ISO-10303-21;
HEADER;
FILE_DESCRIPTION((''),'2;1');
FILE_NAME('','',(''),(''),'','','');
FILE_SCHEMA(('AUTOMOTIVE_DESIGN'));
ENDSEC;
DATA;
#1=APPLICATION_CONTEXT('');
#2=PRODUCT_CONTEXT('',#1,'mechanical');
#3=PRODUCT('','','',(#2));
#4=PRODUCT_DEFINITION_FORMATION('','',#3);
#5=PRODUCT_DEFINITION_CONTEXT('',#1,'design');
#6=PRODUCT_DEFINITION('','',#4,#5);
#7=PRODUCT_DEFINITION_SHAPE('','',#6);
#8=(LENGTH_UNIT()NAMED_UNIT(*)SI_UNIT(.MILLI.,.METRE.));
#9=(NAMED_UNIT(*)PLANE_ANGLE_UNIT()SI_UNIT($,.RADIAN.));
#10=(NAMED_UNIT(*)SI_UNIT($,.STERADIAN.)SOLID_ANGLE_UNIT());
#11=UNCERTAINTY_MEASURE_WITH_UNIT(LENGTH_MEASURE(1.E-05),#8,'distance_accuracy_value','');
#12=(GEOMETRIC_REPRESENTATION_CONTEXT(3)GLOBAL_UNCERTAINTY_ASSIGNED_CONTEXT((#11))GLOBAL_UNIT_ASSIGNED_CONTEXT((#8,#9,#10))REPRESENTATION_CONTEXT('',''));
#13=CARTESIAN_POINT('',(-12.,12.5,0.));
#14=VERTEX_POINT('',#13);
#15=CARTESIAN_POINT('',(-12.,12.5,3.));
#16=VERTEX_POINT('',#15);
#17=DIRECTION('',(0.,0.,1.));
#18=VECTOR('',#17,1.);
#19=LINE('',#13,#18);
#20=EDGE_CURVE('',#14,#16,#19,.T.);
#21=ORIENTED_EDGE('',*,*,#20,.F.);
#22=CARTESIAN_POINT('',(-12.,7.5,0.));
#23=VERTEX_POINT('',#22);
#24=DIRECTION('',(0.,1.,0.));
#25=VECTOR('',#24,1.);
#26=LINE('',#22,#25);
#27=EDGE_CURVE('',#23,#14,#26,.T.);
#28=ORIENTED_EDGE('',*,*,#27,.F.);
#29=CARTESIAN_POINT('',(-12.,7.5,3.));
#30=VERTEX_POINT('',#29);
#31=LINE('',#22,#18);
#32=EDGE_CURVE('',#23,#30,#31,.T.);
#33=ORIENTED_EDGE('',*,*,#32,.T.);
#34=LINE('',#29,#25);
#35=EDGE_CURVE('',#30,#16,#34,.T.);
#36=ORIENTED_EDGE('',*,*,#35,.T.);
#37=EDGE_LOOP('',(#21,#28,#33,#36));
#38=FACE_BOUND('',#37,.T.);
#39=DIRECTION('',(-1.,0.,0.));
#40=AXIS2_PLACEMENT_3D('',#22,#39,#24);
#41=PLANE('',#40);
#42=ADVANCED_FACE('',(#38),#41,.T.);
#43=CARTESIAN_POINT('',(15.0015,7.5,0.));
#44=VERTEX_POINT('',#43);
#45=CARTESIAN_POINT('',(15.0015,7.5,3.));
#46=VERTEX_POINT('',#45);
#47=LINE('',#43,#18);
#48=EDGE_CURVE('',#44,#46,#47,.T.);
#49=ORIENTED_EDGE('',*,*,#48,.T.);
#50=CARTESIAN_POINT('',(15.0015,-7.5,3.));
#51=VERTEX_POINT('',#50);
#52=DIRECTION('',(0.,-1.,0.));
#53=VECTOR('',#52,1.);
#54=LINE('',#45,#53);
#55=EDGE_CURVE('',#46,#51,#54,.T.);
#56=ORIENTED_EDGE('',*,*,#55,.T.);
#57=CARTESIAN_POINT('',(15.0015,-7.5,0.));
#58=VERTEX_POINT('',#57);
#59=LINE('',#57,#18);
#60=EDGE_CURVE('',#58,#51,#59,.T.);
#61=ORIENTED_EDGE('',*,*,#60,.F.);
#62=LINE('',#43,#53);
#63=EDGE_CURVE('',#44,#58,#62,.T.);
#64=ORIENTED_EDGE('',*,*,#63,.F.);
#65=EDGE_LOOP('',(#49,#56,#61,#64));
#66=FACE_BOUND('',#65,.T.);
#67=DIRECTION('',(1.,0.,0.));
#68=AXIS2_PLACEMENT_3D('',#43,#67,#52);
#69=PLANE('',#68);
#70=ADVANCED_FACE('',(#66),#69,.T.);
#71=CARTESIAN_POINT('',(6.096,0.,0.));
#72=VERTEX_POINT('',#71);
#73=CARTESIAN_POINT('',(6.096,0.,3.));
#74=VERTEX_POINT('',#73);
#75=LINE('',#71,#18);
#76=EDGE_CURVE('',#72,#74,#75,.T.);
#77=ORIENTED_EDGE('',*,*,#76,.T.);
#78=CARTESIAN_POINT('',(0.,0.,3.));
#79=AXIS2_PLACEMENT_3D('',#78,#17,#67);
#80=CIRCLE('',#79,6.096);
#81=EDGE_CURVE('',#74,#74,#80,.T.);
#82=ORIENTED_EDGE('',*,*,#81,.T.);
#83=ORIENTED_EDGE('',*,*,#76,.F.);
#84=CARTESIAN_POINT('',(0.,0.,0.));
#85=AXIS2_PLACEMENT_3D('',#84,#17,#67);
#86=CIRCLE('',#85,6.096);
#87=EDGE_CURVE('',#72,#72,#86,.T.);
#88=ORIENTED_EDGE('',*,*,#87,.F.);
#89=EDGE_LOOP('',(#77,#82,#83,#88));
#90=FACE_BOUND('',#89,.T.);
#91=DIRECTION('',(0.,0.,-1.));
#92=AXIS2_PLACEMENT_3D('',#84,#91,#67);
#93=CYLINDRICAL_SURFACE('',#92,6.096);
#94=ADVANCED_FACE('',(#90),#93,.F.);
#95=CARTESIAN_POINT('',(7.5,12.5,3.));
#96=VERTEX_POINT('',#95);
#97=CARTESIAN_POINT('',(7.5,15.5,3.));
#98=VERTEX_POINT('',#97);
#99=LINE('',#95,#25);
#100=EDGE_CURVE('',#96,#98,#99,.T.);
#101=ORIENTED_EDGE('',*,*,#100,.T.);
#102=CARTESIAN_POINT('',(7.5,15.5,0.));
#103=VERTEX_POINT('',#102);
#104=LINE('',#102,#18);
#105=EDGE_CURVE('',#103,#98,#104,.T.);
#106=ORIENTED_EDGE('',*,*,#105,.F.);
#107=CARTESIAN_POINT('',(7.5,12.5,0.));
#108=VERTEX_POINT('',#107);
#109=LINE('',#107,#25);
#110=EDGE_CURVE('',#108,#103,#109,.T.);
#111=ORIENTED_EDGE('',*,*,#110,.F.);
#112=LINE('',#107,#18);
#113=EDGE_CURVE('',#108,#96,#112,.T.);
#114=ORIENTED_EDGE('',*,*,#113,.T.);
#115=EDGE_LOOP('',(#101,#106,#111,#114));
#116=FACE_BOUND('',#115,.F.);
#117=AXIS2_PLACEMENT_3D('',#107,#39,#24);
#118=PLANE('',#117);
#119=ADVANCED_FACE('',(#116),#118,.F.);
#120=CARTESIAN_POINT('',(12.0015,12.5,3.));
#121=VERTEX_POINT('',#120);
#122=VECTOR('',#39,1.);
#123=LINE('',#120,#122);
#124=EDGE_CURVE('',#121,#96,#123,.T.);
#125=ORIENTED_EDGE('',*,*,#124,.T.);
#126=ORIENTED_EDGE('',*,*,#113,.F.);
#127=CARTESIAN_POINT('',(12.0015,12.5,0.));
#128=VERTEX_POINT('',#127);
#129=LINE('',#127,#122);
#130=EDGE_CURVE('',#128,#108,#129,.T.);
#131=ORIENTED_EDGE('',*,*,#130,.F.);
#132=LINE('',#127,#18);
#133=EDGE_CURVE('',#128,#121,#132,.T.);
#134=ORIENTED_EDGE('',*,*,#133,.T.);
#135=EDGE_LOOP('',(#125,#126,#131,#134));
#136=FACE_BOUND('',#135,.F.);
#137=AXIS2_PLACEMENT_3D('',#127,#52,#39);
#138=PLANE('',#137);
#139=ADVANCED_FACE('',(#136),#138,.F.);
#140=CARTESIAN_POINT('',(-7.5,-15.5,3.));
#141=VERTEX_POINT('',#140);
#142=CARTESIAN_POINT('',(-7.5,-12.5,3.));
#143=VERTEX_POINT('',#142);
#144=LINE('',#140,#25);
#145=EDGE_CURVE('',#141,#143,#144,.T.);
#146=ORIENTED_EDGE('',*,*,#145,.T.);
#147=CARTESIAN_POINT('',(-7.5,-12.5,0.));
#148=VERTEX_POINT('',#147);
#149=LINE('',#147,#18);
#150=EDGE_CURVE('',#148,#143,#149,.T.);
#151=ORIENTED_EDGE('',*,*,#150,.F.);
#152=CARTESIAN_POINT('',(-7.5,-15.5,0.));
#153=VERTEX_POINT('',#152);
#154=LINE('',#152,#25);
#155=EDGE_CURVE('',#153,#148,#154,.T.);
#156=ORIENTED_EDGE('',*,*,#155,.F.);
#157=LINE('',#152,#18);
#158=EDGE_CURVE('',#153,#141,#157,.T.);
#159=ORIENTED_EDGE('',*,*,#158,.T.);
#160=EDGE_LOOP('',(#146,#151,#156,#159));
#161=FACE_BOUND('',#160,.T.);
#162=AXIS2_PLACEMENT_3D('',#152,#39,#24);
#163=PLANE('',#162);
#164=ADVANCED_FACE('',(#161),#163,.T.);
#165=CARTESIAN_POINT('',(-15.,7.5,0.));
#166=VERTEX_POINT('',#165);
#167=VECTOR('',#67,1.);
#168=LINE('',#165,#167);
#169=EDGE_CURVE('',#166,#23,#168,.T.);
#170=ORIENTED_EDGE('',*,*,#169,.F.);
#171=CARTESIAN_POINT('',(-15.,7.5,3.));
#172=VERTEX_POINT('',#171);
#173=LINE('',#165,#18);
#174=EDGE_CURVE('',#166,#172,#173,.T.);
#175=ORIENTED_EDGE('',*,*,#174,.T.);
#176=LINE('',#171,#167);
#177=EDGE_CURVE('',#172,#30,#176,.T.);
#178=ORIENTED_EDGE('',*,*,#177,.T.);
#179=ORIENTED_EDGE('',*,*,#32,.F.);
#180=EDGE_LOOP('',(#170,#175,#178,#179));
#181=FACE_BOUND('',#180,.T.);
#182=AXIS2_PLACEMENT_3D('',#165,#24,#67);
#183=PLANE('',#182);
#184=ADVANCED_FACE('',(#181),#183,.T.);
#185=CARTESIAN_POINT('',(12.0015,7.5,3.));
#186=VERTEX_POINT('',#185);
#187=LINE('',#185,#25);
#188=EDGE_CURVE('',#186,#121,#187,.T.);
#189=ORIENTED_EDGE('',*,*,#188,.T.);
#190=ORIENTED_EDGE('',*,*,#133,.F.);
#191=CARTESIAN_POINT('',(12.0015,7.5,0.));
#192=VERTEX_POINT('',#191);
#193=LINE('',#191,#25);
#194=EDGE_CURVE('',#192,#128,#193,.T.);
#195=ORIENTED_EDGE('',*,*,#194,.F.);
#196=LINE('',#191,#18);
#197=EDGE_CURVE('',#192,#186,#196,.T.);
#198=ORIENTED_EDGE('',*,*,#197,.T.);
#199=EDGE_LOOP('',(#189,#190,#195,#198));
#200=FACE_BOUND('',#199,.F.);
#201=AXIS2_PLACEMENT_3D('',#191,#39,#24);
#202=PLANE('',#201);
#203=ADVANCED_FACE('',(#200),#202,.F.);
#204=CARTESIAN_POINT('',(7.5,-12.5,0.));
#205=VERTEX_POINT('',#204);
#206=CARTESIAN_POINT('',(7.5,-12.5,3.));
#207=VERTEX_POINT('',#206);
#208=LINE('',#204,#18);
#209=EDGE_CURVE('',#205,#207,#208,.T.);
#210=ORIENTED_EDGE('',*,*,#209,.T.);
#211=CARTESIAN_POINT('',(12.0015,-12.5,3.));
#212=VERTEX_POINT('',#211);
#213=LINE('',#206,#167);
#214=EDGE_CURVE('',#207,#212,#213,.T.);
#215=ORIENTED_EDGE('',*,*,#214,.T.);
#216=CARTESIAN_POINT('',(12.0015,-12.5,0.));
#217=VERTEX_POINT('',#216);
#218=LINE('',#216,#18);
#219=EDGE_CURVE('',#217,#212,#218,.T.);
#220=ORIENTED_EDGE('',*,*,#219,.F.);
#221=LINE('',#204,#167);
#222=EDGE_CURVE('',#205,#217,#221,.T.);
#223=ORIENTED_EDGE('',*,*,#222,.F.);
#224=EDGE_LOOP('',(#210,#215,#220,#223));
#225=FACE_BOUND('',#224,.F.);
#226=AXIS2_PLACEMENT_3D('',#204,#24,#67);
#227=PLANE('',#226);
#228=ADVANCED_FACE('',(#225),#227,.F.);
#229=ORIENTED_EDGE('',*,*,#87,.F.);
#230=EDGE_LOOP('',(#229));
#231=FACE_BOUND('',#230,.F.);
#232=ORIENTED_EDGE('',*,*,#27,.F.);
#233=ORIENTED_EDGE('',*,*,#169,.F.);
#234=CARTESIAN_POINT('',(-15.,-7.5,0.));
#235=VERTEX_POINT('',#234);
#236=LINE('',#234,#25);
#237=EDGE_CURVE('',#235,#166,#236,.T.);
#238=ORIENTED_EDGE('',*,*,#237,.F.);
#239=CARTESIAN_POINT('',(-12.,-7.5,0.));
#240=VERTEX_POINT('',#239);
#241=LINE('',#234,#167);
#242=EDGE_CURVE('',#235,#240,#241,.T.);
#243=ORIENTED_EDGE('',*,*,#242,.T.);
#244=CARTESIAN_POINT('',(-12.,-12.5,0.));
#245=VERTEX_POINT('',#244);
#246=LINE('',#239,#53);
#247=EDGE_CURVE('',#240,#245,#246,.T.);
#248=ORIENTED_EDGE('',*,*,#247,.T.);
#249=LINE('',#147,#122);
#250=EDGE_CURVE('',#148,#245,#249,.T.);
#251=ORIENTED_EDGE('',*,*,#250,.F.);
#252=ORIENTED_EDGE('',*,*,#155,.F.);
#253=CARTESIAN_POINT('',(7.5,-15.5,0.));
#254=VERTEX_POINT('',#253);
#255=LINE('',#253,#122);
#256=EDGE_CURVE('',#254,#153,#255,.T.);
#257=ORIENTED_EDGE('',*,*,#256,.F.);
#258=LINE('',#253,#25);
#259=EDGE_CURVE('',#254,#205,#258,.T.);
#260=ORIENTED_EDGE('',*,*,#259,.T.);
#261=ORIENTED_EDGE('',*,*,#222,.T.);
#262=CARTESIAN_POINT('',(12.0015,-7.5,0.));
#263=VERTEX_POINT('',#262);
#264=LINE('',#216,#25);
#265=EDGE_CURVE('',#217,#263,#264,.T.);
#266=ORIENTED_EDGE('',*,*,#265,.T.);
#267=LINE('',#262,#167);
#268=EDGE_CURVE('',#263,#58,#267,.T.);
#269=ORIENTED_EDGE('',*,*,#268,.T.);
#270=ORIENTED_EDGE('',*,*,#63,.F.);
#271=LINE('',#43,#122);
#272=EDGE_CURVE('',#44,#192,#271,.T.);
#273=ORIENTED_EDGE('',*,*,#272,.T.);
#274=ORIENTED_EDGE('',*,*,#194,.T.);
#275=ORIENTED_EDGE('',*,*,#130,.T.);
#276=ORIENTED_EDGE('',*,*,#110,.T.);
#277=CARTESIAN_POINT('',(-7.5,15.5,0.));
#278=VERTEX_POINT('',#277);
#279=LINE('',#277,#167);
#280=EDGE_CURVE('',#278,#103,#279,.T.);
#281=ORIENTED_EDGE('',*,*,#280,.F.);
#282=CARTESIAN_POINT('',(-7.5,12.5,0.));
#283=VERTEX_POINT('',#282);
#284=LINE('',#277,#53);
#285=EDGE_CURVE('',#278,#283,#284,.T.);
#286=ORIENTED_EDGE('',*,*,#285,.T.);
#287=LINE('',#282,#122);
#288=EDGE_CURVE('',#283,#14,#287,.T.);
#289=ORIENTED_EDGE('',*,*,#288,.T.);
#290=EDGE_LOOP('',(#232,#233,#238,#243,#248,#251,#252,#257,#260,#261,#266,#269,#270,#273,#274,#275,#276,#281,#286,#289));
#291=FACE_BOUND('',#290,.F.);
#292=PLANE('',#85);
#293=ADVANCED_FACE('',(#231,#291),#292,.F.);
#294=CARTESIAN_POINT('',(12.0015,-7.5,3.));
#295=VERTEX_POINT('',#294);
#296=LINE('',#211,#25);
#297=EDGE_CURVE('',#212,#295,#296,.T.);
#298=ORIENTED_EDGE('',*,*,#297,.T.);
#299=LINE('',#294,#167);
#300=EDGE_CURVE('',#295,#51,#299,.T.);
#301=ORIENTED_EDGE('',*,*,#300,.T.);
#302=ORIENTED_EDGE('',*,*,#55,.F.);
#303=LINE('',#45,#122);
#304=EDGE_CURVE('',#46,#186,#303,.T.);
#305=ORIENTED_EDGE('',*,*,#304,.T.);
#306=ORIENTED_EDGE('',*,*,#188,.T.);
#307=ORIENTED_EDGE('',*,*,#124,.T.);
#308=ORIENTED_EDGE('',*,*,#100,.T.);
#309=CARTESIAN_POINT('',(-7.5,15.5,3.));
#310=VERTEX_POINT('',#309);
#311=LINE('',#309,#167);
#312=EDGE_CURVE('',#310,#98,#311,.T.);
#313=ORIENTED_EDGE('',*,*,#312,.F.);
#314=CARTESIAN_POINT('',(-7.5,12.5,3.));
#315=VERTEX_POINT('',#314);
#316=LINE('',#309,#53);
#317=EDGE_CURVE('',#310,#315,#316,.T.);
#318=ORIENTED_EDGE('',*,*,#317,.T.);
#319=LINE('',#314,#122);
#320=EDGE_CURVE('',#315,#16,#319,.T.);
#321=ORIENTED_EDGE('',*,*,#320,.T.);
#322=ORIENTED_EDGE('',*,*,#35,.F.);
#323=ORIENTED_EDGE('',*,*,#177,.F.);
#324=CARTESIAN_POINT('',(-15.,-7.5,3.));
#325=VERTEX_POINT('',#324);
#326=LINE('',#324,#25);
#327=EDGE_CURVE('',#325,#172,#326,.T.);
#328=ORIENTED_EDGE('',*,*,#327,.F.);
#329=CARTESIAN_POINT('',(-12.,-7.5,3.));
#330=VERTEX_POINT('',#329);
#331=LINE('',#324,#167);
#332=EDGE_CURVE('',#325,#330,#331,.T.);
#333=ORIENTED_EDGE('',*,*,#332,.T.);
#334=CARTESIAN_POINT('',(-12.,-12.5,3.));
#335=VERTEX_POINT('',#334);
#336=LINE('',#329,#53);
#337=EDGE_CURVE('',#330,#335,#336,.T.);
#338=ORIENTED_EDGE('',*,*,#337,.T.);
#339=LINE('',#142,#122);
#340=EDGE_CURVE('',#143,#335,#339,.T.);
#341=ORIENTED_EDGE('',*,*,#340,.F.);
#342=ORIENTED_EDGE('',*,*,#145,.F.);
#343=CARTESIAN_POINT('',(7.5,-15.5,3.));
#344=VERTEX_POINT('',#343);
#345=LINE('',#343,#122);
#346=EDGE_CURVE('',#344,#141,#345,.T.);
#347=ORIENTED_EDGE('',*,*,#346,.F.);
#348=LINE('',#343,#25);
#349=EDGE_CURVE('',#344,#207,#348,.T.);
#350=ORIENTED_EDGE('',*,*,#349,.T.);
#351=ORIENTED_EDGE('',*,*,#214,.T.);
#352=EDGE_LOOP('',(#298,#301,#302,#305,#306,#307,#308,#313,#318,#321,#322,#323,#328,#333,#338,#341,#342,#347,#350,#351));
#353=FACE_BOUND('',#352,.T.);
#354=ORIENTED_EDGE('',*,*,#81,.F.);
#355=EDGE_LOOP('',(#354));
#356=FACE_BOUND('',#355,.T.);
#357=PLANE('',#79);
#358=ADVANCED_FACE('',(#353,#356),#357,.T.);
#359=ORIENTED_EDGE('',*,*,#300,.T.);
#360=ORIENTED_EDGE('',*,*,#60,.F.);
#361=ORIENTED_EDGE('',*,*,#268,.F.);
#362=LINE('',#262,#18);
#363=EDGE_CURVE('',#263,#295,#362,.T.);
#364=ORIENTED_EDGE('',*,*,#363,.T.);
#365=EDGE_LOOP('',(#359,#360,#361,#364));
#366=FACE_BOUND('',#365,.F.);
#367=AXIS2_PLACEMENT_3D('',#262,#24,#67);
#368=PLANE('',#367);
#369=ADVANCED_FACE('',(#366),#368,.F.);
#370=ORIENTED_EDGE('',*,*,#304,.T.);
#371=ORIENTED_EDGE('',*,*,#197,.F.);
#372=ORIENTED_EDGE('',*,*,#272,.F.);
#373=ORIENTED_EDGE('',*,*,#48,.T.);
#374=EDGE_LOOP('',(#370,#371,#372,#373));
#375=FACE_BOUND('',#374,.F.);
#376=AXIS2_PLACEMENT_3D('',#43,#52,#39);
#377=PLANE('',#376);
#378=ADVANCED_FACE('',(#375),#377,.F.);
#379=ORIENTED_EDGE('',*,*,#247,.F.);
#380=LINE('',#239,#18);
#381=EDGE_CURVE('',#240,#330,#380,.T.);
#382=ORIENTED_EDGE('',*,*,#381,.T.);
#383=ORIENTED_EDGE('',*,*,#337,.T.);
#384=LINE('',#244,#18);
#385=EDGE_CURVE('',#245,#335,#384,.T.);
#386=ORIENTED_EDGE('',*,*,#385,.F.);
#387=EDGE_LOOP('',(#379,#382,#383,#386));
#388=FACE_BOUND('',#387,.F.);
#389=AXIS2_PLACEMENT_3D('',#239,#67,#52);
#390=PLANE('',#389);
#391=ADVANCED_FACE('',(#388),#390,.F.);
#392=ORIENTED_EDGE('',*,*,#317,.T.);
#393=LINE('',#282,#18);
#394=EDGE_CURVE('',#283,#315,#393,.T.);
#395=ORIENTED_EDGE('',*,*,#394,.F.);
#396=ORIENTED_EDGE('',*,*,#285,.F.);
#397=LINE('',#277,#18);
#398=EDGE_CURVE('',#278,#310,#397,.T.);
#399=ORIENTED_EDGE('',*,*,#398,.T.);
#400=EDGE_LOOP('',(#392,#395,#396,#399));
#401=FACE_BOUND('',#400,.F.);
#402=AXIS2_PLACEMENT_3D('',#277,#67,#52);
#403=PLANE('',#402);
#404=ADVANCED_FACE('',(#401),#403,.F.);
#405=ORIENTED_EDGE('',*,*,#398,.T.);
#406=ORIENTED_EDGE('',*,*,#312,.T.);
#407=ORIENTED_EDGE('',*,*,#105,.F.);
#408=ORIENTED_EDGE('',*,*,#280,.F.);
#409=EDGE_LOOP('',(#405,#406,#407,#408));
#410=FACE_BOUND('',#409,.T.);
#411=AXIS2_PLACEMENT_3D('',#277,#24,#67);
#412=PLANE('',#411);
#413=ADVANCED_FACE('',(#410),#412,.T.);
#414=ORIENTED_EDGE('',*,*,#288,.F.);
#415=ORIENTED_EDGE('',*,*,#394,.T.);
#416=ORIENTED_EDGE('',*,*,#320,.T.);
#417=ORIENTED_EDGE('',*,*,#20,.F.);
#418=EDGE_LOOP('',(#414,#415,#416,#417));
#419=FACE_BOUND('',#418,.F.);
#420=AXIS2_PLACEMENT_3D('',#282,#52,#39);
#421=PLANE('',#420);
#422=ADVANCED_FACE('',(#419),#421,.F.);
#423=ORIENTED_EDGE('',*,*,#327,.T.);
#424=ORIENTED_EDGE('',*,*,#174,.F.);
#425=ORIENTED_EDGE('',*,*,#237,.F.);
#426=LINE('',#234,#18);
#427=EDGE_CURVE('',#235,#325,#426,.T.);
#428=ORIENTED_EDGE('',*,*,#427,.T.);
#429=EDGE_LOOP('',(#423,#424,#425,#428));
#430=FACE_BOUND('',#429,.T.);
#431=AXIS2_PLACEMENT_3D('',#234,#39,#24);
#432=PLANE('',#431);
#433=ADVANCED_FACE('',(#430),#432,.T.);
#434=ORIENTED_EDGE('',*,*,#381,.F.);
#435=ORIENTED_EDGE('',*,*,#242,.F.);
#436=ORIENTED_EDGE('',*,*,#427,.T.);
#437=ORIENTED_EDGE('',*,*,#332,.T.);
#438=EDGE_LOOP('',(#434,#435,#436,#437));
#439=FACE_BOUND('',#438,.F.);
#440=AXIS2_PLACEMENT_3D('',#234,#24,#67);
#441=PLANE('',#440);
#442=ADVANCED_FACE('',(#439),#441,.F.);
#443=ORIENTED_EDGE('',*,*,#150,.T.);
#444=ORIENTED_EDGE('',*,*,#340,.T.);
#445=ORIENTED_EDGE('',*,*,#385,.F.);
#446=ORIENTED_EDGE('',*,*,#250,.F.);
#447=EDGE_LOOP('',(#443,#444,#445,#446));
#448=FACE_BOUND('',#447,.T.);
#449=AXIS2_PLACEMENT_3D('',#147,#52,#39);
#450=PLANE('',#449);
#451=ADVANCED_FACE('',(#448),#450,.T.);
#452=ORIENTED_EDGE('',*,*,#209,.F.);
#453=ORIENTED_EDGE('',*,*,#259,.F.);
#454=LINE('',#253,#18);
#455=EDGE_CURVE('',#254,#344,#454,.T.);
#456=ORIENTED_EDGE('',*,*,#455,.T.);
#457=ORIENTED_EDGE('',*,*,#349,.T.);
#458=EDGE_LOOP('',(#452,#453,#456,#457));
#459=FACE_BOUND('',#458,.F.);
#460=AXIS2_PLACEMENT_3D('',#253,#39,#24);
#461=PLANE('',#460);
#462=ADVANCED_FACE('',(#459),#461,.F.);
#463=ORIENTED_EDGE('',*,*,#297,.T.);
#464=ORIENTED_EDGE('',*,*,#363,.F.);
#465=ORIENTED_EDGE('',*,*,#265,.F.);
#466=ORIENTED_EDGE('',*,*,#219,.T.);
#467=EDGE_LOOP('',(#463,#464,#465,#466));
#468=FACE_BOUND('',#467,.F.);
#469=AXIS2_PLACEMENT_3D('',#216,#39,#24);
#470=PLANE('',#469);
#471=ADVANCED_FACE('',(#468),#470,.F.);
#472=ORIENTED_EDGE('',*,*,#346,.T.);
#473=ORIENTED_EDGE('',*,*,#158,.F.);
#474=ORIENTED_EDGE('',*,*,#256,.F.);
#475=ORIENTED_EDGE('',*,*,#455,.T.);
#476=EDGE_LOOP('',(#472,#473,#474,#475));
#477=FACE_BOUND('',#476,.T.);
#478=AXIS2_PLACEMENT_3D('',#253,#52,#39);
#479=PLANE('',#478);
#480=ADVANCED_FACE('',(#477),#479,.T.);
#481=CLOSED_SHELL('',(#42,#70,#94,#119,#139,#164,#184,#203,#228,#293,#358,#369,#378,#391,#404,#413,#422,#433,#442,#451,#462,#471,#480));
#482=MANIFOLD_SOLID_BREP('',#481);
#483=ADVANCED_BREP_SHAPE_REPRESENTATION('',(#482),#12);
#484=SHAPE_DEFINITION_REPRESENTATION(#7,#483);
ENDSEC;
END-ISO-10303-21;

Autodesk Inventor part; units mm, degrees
ref_plane "YZ Plane" through (0, 0, 0) normal (1, 0, 0) x (0, 1, 0)
ref_plane "XZ Plane" through (0, 0, 0) normal (0, 1, 0) x (-1, 0, 0)
ref_plane "XY Plane" through (0, 0, 0) normal (0, 0, 1) x (1, 0, 0)
sketch "Sketch1" plane through (0, 0, 0) normal (0, 0, 1) x (1, 0, 0)
  circle A0 centre (0, 0) radius 6.096
  line L0 (15.0015, 7.5) -> (12.0015, 7.5)
  line L1 (12.0015, 7.5) -> (12.0015, 12.5)
  line L2 (12.0015, -12.5) -> (12.0015, -7.5)
  line L3 (12.0015, -7.5) -> (15.0015, -7.5)
  line L4 (-7.5, -15.5) -> (-7.5, -12.5)
  line L5 (-7.5, -12.5) -> (-12, -12.5)
  line L6 (7.5, -15.5) -> (7.5, -12.5)
  line L7 (7.5, -12.5) -> (12.0015, -12.5)
  line L8 (-15, -7.5) -> (-12, -7.5)
  line L9 (-12, -7.5) -> (-12, -12.5)
  line L10 (-15, 7.5) -> (-12, 7.5)
  line L11 (-12, 7.5) -> (-12, 12.5)
  line L12 (-7.5, 15.5) -> (-7.5, 12.5)
  line L13 (-7.5, 12.5) -> (-12, 12.5)
  line L14 (12.0015, 12.5) -> (7.5, 12.5)
  line L15 (7.5, 12.5) -> (7.5, 15.5)
  line L16 (15.0015, 7.5) -> (15.0015, -7.5)
  line L17 (-7.5, 15.5) -> (7.5, 15.5)
  line L18 (-15, -7.5) -> (-15, 7.5)
  line L19 (7.5, -15.5) -> (-7.5, -15.5)
  line L20 (15.0015, 7.5) -> (18.0015, 7.5)
  line L21 (18.0015, 7.5) -> (18.0015, -7.5)
  line L22 (18.0015, -7.5) -> (15.0015, -7.5)
  line L23 (15.0015, -7.5) -> (15.0015, 7.5)
  line L24 (-20.9424, 0) -> (31.3224, 0) construction
  dimension "d0" = 12.192
  dimension "d3" = 3
  dimension "d5" = 3
  dimension "d6" = 3
  dimension "d7" = 15
  dimension "d9" = 15
  dimension "d13" = 3
  dimension "d15" = 31
  dimension "d16" = 3
extrude "Extrusion1" add sketch "Sketch1" along normal blind 3 contours L16 L3 L2 L7 L6 L19 L4 L5 L9 L8 L18 L10 L11 L13 L12 L17 L15 L14 L1 L0
properties part number "Y-Anchor_Bearing-Ring-Outer"
